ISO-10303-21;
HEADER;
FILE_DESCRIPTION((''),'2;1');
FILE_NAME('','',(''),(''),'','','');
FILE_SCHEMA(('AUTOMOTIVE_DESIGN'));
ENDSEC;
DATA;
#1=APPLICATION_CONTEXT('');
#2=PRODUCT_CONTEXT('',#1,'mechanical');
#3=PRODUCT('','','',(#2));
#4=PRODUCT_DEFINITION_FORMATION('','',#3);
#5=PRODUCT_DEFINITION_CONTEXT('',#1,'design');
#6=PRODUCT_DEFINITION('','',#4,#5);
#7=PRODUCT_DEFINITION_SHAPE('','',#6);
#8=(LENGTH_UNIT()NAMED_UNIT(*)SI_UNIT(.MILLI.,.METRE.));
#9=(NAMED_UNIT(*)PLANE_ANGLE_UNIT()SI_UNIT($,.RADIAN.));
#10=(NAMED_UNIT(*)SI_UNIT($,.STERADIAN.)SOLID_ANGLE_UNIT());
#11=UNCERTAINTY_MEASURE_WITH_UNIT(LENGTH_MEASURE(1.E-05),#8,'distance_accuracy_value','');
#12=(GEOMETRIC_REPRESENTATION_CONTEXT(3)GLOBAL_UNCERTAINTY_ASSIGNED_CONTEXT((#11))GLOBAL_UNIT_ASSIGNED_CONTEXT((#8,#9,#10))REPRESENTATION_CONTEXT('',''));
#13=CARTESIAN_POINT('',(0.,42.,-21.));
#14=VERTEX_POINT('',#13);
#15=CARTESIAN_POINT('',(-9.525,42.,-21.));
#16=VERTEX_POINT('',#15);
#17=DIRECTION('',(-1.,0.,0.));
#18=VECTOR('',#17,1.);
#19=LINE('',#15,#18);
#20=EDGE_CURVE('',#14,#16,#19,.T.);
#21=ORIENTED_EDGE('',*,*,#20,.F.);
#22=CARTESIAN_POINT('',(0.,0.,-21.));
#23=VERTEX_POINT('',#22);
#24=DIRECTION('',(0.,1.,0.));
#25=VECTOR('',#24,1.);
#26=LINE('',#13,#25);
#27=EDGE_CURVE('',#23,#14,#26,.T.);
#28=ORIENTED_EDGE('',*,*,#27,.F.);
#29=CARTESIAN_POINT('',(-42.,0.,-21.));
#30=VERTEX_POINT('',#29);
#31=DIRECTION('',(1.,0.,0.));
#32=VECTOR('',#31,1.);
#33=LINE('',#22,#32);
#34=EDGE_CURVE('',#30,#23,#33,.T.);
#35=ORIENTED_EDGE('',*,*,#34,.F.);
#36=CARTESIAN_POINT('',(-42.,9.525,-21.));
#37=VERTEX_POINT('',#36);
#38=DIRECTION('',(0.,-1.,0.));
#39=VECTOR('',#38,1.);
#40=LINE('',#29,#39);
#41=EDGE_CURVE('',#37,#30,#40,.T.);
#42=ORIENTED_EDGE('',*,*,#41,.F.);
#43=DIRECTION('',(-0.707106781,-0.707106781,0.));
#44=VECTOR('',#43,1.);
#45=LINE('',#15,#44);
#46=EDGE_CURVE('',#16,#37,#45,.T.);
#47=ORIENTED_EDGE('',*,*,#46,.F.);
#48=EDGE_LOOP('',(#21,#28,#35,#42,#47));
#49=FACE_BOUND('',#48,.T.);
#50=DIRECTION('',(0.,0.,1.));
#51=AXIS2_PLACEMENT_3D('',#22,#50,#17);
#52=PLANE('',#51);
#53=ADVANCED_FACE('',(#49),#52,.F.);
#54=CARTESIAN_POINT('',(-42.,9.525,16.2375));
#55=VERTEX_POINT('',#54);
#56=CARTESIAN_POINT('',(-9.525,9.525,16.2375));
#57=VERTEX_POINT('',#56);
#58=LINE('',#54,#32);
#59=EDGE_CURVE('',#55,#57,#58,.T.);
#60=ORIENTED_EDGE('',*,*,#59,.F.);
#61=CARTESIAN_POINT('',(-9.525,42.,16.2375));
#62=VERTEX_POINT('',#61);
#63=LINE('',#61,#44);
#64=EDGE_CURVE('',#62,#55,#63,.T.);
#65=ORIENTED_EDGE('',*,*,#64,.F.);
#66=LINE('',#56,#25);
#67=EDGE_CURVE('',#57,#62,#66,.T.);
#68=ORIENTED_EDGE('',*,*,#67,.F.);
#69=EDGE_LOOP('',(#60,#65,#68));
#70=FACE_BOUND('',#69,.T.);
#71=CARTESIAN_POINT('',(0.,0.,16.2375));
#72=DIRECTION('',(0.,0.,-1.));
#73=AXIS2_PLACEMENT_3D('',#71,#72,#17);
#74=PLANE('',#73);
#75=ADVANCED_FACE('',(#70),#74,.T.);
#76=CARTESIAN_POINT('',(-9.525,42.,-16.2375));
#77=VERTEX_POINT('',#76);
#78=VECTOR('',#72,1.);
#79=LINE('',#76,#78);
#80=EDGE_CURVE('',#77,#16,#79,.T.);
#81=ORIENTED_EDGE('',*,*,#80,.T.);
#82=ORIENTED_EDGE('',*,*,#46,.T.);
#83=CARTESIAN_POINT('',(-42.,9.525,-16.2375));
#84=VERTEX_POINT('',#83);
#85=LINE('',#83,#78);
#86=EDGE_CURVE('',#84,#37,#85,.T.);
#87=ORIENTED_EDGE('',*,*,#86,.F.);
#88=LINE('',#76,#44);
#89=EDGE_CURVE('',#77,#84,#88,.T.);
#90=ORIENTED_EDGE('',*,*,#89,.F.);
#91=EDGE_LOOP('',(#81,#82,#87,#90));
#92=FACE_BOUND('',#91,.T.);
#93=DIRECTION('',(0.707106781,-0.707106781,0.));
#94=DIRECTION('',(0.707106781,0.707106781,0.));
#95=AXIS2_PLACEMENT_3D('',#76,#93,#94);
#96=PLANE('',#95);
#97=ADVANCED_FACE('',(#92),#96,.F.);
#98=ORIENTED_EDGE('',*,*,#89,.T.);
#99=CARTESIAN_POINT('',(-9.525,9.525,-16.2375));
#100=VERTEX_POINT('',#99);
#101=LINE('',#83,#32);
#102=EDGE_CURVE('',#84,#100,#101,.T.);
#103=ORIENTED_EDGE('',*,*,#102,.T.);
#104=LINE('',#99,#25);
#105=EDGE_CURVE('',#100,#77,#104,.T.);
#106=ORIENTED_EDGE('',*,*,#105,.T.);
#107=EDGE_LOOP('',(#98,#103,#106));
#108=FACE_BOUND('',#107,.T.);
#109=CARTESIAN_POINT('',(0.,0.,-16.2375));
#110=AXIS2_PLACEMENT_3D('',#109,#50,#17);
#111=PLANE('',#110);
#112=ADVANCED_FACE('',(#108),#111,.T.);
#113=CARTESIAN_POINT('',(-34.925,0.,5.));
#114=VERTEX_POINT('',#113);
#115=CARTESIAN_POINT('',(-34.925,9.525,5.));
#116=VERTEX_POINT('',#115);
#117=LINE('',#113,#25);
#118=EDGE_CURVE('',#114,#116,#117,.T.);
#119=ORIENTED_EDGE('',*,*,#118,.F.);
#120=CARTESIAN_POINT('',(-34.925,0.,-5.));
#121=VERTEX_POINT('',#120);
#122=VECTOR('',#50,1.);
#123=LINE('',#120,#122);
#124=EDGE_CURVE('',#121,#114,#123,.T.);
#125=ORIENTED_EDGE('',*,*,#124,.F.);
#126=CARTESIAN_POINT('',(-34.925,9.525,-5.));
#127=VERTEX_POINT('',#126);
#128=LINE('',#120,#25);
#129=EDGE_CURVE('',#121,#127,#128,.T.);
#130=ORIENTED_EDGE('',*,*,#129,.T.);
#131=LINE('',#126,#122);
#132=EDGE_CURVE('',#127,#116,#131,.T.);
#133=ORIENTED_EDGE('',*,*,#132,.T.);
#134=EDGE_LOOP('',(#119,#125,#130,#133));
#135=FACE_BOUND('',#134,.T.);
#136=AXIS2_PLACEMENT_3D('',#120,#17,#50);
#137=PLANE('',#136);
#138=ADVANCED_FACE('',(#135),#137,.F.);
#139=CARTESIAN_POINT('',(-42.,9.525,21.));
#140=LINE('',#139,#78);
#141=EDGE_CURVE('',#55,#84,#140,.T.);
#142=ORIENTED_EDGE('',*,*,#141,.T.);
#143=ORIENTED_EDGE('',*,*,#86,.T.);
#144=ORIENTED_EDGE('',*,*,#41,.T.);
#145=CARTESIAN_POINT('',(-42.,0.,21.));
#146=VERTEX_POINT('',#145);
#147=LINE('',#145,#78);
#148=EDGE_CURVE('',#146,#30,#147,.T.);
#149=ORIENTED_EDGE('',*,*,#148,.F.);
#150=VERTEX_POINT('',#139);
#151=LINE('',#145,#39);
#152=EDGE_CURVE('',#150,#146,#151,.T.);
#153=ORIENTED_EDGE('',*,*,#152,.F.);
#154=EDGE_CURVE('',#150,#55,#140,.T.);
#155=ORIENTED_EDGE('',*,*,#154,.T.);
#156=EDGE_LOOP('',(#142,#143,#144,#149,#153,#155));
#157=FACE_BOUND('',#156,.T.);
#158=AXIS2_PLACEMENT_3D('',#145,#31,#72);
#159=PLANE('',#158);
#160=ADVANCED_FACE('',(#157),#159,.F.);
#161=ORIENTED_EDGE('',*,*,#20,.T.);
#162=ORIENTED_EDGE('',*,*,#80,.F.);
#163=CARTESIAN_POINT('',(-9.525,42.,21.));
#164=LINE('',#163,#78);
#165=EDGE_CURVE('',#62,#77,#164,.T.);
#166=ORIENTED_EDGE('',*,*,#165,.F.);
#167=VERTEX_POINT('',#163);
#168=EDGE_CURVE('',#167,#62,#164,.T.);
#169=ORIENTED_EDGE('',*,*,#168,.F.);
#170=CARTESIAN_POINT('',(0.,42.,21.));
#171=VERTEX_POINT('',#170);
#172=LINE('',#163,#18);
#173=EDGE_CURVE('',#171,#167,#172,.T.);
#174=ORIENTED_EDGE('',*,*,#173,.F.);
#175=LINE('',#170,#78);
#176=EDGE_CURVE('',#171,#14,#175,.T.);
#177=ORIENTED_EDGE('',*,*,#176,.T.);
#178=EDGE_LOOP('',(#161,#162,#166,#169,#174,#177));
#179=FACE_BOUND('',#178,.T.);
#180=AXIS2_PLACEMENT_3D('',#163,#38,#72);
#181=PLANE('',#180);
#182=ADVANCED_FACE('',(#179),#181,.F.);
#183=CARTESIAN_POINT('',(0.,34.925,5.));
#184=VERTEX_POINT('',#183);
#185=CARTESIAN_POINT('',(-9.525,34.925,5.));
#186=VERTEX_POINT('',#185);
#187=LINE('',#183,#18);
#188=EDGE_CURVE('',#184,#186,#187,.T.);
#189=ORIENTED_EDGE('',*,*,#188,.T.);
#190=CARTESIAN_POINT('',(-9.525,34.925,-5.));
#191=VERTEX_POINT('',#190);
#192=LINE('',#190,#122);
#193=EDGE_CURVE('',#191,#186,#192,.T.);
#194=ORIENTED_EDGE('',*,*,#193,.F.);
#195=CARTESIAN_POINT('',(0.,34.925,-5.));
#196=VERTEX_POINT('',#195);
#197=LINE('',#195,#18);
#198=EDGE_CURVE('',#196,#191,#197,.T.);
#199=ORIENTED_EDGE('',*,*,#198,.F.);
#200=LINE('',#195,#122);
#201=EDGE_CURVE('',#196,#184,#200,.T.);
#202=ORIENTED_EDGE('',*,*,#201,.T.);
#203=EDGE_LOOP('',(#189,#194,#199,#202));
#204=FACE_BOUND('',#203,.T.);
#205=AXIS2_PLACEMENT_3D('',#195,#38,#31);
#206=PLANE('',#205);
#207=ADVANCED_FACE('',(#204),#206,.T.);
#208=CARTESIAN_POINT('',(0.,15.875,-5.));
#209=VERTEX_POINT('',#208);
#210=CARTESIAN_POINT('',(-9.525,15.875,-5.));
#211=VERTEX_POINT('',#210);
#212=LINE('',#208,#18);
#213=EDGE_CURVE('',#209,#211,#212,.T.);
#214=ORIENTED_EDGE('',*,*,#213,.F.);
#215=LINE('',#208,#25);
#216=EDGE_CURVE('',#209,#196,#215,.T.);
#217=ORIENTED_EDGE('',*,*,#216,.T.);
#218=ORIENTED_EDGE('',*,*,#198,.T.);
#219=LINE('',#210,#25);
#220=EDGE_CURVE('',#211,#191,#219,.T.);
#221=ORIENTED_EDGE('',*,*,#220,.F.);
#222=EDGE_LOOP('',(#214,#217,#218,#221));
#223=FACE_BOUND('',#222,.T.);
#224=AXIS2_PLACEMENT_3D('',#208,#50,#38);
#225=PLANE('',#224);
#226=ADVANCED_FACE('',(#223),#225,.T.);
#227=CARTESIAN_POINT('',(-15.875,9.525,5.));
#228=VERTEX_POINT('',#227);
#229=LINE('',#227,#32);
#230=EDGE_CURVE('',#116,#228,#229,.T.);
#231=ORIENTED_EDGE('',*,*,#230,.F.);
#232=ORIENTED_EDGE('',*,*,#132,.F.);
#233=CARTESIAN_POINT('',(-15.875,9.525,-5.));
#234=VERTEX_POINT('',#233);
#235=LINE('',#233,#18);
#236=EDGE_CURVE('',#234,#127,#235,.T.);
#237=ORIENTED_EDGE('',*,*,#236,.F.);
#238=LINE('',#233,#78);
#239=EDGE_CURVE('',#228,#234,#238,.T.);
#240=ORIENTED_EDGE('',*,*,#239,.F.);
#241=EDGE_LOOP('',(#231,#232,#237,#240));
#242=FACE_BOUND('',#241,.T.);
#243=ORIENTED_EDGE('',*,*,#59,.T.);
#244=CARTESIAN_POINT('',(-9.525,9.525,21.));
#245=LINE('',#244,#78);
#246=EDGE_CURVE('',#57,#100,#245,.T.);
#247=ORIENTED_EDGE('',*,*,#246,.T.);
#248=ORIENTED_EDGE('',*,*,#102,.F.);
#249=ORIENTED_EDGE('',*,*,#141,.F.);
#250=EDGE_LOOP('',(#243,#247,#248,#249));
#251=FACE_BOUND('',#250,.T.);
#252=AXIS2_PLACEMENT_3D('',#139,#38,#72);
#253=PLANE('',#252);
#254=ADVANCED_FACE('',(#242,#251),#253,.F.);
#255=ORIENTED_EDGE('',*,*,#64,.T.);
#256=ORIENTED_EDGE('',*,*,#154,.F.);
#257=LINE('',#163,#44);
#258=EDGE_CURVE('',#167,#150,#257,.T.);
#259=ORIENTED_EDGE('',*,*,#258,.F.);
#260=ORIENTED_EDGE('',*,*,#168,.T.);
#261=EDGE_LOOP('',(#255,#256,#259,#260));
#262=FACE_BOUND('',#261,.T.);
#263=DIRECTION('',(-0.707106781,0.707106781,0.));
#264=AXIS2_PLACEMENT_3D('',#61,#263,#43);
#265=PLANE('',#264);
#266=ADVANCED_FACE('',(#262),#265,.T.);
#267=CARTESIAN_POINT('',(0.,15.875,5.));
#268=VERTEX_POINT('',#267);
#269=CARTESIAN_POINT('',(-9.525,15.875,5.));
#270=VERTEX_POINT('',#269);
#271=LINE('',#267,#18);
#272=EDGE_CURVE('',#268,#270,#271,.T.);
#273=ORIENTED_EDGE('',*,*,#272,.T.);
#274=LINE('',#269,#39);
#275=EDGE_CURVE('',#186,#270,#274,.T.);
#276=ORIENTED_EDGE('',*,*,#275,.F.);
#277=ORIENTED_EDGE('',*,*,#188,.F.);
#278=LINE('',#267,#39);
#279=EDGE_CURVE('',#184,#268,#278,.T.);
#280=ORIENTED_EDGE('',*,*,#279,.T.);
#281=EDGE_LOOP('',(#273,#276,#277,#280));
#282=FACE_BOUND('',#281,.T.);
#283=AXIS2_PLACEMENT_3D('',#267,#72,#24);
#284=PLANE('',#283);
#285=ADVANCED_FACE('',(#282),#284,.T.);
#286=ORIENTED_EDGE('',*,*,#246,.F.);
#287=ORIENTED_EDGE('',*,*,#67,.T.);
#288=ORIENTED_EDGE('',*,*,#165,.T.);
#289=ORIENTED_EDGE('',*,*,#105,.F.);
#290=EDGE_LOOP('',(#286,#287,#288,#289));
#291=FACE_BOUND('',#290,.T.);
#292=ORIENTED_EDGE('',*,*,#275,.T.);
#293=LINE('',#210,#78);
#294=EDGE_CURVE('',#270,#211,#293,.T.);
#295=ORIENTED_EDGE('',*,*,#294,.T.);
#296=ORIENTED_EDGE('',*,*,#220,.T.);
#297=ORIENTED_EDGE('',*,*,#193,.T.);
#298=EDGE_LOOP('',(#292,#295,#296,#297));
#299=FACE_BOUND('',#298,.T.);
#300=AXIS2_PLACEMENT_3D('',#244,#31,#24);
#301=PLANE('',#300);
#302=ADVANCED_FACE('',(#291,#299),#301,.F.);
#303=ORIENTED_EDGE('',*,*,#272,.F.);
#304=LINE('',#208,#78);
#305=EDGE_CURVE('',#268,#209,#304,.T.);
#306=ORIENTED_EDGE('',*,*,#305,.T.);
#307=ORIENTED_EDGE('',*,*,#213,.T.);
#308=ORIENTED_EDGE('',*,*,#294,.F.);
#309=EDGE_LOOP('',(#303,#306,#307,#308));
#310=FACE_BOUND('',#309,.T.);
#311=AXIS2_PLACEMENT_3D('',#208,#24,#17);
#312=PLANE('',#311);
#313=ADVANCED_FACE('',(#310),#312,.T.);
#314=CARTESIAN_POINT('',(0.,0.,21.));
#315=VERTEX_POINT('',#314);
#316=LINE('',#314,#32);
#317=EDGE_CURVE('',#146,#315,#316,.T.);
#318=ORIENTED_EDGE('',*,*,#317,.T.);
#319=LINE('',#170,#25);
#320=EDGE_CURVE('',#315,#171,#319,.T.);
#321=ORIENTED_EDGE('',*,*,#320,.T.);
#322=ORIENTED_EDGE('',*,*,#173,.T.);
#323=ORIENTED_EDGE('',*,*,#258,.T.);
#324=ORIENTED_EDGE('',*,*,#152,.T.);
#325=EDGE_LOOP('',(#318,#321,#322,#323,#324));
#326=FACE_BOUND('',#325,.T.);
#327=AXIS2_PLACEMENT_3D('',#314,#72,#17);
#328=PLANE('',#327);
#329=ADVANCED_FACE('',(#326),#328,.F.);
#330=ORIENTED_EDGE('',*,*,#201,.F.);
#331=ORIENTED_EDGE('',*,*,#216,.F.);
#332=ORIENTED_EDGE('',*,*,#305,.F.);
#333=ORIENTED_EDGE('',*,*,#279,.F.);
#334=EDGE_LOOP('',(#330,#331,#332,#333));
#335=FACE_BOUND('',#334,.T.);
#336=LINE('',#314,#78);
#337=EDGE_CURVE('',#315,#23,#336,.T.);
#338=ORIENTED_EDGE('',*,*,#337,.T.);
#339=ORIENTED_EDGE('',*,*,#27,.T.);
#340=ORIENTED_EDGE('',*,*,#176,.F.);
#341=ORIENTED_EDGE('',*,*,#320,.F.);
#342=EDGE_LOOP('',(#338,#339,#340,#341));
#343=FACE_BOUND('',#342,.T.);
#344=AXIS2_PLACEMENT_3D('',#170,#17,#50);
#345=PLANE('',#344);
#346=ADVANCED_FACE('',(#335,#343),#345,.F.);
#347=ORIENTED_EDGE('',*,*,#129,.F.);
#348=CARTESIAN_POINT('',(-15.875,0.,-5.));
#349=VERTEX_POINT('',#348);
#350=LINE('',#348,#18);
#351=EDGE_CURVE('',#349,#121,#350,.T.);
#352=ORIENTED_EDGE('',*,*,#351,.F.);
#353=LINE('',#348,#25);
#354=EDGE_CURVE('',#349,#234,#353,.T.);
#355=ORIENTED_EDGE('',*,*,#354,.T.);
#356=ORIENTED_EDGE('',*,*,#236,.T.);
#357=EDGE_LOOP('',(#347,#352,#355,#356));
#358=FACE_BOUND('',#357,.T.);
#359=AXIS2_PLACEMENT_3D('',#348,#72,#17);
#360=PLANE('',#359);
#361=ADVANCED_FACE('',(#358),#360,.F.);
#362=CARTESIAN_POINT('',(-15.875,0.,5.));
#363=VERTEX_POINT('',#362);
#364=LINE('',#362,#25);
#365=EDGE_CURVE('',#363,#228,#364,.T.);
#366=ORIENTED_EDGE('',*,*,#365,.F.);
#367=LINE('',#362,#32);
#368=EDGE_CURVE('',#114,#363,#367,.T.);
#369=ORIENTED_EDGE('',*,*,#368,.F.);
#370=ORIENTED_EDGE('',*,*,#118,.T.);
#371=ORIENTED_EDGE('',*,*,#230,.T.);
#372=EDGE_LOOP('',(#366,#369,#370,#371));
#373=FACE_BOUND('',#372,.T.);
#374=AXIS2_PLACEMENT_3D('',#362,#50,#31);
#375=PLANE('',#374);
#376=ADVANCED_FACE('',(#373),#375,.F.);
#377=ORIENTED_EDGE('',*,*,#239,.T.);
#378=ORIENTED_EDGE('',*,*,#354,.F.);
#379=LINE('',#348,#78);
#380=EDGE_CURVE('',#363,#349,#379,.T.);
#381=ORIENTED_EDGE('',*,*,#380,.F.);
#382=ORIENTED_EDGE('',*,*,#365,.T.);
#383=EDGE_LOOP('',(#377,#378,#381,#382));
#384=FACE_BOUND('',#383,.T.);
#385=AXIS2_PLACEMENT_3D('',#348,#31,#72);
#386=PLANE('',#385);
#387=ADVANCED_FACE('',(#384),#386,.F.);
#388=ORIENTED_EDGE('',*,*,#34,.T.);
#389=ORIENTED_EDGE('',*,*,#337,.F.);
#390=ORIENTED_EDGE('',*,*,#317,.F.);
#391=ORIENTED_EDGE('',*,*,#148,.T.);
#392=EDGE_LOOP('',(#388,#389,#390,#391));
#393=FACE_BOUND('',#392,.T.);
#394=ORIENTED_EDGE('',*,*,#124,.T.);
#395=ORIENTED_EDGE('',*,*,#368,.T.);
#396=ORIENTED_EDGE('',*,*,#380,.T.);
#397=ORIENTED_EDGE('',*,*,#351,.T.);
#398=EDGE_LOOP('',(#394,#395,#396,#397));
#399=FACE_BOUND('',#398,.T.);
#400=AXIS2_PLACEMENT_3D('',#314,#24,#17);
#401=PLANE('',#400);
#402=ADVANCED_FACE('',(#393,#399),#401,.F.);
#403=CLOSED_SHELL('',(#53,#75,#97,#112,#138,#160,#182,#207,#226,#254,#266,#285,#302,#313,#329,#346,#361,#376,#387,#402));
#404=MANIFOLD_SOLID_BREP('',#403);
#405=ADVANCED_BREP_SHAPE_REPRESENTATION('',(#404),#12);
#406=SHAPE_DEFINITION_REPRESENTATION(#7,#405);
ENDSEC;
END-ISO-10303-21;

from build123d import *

# Parameters (mm, degrees)
BOSS_EXTRUDE1_DEPTH = 21
BOSS_EXTRUDE2_DEPTH = 4.7625
SKETCH3_W           = 19.05
SKETCH3_H           = 10
CUT_EXTRUDE1_DEPTH  = 10.525


with BuildPart() as part:
    # Sketch1 → Boss-Extrude1 (new body)
    with BuildSketch(Plane.XY):
        Polygon((0, 0), (-42, 0), (-42, 9.525), (-9.525, 9.525), (-9.525, 42), (0, 42), align=None)
    boss_extrude1 = extrude(amount=BOSS_EXTRUDE1_DEPTH)

    # Sketch2 → Boss-Extrude2 (add)
    with BuildSketch(Plane.XY.offset(21)):
        Polygon((-9.525, 42), (-42, 9.525), (-9.525, 9.525), align=None)
    boss_extrude2 = extrude(amount=-BOSS_EXTRUDE2_DEPTH)

    # Mirror1: Boss-Extrude1, Boss-Extrude2 across plane
    add(boss_extrude1.mirror(Plane(origin=(0, 0, 0), x_dir=(1, 0, 0), z_dir=(0, 0, -1))))
    add(boss_extrude2.mirror(Plane(origin=(0, 0, 0), x_dir=(1, 0, 0), z_dir=(0, 0, -1))))

    # Sketch3 → Cut-Extrude1 (cut, through all)
    with BuildSketch(Plane(origin=(0, 9.525, 0), x_dir=(1, 0, 0), z_dir=(0, 1, 0))):
        with Locations((-25.4, 0)):
            Rectangle(SKETCH3_W, SKETCH3_H)
    cut_extrude1 = extrude(amount=-CUT_EXTRUDE1_DEPTH, mode=Mode.SUBTRACT)

    # Mirror2: Cut-Extrude1 across plane
    add(cut_extrude1.mirror(Plane(origin=(0, 0, 0), x_dir=(0, 0, 1), z_dir=(0.707106781, 0.707106781, 0))), mode=Mode.SUBTRACT)


solid = part.part
